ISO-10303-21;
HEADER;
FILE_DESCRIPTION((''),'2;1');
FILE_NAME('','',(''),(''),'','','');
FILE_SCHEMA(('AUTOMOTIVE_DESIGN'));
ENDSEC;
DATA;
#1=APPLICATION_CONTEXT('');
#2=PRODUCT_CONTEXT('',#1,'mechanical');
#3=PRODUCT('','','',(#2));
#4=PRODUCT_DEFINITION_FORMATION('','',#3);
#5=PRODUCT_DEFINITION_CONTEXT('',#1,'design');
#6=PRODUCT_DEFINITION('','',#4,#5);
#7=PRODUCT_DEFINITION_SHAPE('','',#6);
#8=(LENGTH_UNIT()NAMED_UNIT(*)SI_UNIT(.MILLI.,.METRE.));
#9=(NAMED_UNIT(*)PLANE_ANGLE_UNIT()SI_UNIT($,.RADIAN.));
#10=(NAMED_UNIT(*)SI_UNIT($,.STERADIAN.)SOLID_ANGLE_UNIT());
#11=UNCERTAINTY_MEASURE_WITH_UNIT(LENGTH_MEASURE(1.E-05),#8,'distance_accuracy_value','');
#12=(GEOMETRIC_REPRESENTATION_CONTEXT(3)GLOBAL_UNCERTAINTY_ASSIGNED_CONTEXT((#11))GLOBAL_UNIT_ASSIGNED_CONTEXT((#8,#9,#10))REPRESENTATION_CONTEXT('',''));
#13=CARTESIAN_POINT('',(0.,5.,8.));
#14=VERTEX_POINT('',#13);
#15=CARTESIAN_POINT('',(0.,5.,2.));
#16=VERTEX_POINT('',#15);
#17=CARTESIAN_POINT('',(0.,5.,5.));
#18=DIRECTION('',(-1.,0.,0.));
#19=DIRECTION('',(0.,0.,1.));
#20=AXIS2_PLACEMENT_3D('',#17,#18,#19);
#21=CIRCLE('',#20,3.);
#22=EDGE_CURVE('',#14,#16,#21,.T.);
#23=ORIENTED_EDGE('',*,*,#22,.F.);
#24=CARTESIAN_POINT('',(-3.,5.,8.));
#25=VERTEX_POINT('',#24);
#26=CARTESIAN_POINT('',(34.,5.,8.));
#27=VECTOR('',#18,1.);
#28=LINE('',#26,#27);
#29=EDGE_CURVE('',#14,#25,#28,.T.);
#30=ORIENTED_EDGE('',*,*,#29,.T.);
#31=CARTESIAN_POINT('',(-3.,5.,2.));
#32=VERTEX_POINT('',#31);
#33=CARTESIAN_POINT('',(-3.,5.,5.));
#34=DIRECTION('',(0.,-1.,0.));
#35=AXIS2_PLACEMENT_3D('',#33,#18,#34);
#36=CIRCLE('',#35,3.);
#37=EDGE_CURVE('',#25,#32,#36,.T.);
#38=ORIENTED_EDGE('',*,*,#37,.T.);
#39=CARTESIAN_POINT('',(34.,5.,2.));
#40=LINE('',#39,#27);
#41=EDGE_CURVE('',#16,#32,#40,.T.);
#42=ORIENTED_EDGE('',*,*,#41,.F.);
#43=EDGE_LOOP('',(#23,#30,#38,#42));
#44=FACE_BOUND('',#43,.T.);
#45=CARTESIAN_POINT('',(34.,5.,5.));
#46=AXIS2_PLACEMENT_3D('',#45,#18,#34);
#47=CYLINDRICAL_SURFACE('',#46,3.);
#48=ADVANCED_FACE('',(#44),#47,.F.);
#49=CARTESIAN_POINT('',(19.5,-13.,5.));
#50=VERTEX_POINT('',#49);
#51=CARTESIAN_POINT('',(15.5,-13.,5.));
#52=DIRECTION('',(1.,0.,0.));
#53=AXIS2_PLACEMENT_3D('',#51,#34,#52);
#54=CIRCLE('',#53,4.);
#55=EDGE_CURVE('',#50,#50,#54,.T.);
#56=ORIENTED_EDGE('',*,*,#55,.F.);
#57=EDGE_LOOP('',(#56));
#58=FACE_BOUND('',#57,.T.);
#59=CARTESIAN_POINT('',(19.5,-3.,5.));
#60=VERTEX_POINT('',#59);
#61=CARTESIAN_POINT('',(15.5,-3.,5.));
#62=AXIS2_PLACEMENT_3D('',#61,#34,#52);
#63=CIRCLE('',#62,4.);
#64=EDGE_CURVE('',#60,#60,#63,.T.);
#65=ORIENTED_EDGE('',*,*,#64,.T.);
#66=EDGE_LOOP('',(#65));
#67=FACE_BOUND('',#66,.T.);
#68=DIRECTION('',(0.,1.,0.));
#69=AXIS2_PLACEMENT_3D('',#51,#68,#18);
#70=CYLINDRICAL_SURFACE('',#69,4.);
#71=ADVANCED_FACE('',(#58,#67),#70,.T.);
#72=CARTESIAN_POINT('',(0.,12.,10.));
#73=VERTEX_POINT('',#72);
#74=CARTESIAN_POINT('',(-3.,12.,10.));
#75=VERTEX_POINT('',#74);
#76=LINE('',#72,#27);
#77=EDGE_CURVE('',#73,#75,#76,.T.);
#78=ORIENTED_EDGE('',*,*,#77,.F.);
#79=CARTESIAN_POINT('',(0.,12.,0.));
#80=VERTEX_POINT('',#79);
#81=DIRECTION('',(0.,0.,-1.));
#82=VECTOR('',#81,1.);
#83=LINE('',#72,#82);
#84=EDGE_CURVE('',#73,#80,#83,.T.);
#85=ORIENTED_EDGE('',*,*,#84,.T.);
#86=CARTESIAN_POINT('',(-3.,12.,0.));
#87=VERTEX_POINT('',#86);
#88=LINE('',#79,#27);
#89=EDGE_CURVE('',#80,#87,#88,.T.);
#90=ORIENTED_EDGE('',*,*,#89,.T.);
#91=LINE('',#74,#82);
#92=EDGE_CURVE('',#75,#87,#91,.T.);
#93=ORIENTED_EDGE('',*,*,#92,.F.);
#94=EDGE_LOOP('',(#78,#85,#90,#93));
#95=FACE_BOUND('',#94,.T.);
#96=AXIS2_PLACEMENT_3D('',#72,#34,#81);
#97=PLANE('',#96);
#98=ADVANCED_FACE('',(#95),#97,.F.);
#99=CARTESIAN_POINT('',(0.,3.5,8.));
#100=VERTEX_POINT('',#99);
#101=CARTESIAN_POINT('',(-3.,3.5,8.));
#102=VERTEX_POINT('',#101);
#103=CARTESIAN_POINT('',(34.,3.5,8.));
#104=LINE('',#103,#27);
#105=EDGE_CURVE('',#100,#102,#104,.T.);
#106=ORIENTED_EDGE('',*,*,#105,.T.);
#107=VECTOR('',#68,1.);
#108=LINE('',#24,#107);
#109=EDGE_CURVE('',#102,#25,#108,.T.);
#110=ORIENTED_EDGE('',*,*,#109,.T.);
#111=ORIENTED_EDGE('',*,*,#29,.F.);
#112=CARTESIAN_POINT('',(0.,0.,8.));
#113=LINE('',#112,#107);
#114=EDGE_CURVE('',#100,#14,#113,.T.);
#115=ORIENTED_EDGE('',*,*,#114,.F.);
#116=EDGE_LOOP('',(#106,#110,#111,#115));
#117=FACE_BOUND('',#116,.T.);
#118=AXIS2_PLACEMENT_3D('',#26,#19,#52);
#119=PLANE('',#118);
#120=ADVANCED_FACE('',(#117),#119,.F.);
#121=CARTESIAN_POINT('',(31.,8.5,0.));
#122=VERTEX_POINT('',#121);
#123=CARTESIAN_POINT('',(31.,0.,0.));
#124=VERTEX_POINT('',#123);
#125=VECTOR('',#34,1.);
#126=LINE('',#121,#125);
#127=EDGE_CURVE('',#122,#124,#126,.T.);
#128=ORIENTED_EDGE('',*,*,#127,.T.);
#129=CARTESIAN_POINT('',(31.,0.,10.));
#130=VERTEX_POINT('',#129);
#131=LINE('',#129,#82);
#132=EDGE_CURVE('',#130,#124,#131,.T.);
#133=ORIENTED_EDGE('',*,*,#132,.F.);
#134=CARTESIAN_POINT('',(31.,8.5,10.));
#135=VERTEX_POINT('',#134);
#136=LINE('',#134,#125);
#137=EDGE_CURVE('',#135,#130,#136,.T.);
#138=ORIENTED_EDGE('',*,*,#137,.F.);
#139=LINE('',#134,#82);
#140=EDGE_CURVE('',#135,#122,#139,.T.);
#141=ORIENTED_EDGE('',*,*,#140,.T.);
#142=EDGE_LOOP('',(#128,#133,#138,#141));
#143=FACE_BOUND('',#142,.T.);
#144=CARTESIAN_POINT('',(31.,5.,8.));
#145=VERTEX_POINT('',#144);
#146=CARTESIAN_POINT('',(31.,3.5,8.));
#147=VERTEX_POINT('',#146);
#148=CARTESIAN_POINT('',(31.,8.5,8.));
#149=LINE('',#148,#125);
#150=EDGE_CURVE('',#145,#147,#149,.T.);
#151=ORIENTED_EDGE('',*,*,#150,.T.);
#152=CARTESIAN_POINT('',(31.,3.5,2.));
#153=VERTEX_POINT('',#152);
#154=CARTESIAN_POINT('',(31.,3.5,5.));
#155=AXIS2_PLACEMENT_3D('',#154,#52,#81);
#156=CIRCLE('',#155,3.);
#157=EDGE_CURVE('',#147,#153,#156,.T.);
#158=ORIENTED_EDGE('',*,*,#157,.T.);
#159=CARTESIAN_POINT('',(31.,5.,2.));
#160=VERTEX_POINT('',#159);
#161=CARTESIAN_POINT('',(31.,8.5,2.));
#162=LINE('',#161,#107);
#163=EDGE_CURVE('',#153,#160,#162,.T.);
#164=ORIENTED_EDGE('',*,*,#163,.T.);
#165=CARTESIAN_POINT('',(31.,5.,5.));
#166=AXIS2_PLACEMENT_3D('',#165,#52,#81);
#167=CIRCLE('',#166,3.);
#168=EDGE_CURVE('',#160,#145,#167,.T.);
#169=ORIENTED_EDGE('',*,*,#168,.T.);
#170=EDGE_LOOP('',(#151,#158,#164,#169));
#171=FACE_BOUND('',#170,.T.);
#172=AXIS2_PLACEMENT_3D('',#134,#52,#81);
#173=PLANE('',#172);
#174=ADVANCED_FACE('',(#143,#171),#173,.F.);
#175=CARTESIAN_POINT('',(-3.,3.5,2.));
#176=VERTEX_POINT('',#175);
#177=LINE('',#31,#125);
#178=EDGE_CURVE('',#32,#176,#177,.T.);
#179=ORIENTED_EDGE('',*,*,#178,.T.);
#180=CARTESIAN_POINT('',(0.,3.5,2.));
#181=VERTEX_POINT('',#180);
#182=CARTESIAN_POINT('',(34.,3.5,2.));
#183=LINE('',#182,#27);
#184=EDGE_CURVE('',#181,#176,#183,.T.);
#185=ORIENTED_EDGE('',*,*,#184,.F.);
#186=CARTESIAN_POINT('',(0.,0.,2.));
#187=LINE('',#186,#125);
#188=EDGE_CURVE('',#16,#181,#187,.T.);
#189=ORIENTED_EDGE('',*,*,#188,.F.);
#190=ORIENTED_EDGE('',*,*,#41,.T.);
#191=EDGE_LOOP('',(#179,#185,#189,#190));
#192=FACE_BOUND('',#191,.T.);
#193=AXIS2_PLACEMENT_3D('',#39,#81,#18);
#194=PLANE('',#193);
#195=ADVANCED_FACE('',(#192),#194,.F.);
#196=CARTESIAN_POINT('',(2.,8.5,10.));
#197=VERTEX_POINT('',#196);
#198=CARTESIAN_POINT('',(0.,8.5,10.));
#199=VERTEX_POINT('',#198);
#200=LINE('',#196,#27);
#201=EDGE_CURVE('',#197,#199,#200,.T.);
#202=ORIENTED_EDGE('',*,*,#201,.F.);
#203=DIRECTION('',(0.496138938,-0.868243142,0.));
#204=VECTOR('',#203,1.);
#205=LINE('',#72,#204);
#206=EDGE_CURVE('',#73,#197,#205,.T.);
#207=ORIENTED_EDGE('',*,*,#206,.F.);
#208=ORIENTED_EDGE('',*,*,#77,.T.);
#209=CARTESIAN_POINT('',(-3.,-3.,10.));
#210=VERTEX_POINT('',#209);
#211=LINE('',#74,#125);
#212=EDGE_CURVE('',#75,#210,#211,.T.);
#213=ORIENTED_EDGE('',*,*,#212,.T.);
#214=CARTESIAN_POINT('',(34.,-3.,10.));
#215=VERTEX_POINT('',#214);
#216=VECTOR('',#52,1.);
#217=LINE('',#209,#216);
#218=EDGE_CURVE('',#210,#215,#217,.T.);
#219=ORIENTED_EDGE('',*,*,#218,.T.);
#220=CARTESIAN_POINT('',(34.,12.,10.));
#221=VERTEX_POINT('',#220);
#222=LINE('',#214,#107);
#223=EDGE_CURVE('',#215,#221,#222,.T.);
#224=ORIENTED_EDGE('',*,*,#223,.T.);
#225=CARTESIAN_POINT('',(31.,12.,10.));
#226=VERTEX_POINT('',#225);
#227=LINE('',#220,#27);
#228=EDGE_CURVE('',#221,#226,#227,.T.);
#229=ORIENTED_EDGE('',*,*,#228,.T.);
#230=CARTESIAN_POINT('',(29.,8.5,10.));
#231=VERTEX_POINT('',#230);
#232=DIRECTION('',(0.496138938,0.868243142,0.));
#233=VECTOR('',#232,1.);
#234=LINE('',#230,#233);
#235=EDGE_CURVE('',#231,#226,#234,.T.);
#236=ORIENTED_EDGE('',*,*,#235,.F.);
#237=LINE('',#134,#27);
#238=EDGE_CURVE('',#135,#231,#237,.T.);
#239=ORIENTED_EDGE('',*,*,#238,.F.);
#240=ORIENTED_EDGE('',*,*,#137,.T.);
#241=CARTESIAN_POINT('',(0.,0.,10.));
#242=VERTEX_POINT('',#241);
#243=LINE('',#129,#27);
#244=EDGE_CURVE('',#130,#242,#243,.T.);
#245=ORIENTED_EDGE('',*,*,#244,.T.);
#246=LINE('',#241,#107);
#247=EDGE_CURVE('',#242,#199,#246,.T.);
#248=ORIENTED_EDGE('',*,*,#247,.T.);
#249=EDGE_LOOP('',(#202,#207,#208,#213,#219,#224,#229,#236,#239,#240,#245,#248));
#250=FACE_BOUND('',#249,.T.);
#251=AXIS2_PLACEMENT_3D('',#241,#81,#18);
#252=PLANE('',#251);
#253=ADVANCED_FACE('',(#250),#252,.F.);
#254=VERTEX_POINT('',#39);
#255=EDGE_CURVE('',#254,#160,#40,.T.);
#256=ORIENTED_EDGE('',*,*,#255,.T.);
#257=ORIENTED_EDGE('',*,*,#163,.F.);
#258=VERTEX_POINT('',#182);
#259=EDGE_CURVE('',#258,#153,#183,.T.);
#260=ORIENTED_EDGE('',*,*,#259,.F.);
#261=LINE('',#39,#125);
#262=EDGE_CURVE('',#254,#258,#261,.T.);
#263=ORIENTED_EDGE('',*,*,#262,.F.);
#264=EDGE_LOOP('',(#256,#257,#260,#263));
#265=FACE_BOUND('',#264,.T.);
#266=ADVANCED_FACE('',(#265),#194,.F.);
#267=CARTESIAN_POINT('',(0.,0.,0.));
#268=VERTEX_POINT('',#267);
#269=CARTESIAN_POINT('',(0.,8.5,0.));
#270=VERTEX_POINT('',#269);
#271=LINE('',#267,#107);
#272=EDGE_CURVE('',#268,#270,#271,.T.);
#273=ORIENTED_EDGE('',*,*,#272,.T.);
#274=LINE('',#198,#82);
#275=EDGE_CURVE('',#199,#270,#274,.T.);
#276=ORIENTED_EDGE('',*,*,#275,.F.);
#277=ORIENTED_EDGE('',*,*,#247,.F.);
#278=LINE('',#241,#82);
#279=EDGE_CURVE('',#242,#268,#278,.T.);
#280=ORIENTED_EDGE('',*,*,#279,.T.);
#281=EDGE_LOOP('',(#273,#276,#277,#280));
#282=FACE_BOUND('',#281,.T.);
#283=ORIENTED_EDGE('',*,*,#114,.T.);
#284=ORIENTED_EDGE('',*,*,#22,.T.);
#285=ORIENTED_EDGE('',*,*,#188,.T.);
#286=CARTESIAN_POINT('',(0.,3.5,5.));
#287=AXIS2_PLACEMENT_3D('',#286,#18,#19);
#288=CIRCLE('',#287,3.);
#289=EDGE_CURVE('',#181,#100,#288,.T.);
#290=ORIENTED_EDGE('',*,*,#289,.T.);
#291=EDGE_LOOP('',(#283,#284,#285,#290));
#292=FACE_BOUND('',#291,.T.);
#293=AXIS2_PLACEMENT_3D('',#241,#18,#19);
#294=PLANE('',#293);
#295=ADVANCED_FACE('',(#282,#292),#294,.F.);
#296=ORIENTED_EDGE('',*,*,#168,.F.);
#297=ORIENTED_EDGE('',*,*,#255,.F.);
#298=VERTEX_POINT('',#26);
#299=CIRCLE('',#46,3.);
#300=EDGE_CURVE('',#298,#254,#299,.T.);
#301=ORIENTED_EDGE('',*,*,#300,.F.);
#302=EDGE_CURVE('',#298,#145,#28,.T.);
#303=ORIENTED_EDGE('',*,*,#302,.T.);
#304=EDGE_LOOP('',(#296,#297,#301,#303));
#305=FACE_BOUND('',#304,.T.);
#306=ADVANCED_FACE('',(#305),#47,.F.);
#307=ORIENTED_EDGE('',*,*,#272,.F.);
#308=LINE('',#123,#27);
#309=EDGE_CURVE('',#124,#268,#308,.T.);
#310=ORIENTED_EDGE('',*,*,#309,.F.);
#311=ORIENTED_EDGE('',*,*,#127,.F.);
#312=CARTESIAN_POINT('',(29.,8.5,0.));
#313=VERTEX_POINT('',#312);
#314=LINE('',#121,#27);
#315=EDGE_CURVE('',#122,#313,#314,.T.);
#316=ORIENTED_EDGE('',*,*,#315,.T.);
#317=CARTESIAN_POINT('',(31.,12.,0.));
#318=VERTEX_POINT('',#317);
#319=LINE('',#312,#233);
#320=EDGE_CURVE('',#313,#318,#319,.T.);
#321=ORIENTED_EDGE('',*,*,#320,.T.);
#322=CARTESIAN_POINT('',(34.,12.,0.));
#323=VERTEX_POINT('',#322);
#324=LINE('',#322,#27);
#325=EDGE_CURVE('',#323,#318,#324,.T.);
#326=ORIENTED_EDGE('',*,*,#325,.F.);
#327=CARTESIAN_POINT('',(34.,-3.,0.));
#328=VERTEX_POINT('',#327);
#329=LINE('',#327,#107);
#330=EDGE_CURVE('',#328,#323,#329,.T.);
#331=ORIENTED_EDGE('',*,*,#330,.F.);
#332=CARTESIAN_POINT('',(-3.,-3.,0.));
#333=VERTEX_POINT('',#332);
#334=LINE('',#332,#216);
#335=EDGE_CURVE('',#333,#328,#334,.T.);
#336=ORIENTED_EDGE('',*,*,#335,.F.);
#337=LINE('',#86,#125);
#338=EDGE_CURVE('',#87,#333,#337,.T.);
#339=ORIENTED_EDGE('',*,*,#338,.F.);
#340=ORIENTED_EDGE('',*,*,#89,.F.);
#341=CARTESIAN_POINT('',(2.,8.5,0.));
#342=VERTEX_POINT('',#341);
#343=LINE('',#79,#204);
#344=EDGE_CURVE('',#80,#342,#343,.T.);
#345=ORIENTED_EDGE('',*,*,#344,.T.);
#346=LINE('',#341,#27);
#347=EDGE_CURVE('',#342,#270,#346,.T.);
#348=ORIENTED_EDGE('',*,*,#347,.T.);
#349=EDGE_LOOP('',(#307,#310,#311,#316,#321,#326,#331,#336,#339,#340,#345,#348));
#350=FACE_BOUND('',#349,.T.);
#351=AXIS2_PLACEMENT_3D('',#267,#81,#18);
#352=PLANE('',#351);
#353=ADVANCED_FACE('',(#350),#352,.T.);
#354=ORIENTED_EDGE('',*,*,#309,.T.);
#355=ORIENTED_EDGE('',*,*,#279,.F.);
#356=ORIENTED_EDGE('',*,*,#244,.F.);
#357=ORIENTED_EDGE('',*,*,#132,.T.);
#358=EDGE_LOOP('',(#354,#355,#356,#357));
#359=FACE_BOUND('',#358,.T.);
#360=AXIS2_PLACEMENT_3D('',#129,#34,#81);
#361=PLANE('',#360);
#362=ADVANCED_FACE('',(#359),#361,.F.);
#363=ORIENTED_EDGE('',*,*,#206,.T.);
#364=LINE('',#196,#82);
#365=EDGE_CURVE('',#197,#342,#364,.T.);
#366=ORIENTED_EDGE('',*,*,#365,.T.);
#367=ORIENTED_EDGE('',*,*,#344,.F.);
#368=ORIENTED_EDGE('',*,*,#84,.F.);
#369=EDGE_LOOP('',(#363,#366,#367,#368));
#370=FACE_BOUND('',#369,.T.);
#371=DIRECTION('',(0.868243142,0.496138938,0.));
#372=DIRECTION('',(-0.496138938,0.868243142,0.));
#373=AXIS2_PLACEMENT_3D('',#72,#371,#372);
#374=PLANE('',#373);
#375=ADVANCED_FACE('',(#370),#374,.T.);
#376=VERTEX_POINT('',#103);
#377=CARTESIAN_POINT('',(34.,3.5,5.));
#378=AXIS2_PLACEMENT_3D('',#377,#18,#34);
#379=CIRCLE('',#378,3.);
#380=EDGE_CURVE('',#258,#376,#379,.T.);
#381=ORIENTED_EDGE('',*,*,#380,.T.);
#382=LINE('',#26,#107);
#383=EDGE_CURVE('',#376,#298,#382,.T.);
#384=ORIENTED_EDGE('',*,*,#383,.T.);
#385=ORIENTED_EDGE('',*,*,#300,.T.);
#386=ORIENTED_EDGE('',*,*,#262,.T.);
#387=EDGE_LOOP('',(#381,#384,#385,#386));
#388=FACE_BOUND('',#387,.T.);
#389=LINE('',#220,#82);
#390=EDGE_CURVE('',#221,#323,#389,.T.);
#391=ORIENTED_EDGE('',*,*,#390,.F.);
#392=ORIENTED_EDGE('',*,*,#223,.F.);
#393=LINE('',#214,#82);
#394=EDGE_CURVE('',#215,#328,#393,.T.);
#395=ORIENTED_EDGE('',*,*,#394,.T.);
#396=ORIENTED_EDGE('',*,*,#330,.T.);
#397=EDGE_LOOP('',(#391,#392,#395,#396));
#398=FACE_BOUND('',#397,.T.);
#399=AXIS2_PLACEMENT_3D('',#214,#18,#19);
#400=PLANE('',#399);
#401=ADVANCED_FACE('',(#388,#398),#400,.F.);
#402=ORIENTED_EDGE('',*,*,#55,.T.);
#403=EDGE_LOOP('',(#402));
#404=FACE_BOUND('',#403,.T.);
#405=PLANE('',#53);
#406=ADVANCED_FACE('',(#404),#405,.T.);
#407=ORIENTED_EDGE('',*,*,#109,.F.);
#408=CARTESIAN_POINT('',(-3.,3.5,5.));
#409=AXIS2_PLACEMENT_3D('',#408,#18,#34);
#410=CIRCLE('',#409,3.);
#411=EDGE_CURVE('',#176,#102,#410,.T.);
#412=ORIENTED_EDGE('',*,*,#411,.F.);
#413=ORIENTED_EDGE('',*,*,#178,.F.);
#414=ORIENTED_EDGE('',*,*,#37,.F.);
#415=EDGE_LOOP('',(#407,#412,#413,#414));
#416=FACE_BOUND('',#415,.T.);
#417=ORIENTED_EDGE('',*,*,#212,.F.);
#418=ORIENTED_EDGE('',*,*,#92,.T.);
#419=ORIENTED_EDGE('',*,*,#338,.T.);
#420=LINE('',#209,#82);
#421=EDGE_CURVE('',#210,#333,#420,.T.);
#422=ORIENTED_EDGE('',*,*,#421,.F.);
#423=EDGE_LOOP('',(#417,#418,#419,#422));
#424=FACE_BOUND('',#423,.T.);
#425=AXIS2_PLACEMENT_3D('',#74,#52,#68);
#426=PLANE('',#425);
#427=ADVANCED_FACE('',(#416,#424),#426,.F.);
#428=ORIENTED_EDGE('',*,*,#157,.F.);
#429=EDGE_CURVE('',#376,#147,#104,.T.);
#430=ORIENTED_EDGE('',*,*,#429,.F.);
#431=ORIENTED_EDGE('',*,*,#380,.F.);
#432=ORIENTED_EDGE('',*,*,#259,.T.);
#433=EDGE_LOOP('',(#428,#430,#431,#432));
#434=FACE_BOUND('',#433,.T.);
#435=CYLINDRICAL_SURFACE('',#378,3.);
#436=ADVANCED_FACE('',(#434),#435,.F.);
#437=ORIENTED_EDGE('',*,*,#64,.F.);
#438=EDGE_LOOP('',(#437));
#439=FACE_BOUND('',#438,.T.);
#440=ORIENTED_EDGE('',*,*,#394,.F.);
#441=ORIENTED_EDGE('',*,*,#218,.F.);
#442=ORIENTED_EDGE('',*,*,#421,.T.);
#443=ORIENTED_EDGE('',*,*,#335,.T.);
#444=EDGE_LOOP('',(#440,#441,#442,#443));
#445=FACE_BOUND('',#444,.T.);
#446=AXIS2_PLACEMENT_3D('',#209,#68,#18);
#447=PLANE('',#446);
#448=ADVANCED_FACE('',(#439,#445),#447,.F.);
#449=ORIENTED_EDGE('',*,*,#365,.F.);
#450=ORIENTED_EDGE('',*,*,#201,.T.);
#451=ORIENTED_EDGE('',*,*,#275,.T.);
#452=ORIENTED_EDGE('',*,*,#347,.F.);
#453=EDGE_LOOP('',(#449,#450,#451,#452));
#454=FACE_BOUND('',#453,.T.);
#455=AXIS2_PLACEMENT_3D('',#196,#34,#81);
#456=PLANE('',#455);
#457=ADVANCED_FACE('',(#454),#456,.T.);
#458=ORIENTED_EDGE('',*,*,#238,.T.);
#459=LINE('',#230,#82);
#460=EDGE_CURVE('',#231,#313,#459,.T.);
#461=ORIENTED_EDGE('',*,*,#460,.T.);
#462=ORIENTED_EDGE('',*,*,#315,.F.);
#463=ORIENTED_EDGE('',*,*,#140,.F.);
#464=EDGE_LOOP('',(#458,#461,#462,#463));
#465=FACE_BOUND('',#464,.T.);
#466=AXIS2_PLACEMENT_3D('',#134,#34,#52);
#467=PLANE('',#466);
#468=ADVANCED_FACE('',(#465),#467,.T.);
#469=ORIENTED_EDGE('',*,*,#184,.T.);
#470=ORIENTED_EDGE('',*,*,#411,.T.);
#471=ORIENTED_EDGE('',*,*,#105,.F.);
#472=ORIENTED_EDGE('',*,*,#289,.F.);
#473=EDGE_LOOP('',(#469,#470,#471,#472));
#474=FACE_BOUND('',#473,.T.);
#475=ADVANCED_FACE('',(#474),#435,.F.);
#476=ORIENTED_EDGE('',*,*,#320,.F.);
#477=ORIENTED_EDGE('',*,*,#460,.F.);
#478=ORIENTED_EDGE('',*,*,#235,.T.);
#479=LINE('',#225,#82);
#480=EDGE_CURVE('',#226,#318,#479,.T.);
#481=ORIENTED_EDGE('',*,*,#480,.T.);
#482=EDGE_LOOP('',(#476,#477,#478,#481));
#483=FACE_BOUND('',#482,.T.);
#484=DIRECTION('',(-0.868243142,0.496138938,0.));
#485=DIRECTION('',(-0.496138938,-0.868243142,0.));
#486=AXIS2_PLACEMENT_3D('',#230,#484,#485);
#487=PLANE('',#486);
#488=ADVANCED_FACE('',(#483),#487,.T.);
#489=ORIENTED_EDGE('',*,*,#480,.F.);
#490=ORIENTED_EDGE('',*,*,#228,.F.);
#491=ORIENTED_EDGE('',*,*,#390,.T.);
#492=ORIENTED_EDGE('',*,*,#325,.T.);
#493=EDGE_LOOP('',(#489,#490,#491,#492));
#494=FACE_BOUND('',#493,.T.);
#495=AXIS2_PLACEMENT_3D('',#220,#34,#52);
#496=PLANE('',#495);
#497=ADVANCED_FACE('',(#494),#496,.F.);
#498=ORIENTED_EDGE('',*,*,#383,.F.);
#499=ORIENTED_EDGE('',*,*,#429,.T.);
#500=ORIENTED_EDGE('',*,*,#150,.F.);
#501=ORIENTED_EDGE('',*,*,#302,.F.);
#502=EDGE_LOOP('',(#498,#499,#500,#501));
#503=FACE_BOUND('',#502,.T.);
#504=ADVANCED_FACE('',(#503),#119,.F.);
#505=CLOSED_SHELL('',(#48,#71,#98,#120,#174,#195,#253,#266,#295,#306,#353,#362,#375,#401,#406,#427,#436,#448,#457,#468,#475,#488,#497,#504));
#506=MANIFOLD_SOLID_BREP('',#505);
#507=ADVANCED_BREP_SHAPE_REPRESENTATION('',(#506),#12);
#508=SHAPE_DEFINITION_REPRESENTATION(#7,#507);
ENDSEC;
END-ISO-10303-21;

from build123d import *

# Parameters (mm, degrees)
BOSS_EXTRUDE1_DEPTH = 10
CUT_EXTRUDE1_DEPTH  = 41.162171256
SKETCH3_R           = 4
BOSS_EXTRUDE2_DEPTH = 10


with BuildPart() as part:
    # Sketch1 → Boss-Extrude1 (new body)
    with BuildSketch(Plane.XY):
        Polygon((0, 0), (0, 8.5), (2, 8.5), (0, 12), (-3, 12), (-3, -3), (34, -3), (34, 12), (31, 12), (29, 8.5), (31, 8.5), (31, 0), align=None)
    extrude(amount=BOSS_EXTRUDE1_DEPTH)

    # Sketch2 → Cut-Extrude1 (cut, through all)
    with BuildSketch(Plane.ZY.offset(3)):
        with BuildLine():
            Line((8, 5), (8, 3.5))
            ThreePointArc((8, 3.5), (5, 0.5), (2, 3.5))
            Line((2, 3.5), (2, 5))
            ThreePointArc((2, 5), (5, 8), (8, 5))
        make_face()
    extrude(amount=-CUT_EXTRUDE1_DEPTH, mode=Mode.SUBTRACT)

    # Sketch3 → Boss-Extrude2 (add)
    with BuildSketch(Plane.XZ.offset(3)):
        with Locations((15.5, 5)):
            Circle(SKETCH3_R)
    extrude(amount=BOSS_EXTRUDE2_DEPTH)


solid = part.part
